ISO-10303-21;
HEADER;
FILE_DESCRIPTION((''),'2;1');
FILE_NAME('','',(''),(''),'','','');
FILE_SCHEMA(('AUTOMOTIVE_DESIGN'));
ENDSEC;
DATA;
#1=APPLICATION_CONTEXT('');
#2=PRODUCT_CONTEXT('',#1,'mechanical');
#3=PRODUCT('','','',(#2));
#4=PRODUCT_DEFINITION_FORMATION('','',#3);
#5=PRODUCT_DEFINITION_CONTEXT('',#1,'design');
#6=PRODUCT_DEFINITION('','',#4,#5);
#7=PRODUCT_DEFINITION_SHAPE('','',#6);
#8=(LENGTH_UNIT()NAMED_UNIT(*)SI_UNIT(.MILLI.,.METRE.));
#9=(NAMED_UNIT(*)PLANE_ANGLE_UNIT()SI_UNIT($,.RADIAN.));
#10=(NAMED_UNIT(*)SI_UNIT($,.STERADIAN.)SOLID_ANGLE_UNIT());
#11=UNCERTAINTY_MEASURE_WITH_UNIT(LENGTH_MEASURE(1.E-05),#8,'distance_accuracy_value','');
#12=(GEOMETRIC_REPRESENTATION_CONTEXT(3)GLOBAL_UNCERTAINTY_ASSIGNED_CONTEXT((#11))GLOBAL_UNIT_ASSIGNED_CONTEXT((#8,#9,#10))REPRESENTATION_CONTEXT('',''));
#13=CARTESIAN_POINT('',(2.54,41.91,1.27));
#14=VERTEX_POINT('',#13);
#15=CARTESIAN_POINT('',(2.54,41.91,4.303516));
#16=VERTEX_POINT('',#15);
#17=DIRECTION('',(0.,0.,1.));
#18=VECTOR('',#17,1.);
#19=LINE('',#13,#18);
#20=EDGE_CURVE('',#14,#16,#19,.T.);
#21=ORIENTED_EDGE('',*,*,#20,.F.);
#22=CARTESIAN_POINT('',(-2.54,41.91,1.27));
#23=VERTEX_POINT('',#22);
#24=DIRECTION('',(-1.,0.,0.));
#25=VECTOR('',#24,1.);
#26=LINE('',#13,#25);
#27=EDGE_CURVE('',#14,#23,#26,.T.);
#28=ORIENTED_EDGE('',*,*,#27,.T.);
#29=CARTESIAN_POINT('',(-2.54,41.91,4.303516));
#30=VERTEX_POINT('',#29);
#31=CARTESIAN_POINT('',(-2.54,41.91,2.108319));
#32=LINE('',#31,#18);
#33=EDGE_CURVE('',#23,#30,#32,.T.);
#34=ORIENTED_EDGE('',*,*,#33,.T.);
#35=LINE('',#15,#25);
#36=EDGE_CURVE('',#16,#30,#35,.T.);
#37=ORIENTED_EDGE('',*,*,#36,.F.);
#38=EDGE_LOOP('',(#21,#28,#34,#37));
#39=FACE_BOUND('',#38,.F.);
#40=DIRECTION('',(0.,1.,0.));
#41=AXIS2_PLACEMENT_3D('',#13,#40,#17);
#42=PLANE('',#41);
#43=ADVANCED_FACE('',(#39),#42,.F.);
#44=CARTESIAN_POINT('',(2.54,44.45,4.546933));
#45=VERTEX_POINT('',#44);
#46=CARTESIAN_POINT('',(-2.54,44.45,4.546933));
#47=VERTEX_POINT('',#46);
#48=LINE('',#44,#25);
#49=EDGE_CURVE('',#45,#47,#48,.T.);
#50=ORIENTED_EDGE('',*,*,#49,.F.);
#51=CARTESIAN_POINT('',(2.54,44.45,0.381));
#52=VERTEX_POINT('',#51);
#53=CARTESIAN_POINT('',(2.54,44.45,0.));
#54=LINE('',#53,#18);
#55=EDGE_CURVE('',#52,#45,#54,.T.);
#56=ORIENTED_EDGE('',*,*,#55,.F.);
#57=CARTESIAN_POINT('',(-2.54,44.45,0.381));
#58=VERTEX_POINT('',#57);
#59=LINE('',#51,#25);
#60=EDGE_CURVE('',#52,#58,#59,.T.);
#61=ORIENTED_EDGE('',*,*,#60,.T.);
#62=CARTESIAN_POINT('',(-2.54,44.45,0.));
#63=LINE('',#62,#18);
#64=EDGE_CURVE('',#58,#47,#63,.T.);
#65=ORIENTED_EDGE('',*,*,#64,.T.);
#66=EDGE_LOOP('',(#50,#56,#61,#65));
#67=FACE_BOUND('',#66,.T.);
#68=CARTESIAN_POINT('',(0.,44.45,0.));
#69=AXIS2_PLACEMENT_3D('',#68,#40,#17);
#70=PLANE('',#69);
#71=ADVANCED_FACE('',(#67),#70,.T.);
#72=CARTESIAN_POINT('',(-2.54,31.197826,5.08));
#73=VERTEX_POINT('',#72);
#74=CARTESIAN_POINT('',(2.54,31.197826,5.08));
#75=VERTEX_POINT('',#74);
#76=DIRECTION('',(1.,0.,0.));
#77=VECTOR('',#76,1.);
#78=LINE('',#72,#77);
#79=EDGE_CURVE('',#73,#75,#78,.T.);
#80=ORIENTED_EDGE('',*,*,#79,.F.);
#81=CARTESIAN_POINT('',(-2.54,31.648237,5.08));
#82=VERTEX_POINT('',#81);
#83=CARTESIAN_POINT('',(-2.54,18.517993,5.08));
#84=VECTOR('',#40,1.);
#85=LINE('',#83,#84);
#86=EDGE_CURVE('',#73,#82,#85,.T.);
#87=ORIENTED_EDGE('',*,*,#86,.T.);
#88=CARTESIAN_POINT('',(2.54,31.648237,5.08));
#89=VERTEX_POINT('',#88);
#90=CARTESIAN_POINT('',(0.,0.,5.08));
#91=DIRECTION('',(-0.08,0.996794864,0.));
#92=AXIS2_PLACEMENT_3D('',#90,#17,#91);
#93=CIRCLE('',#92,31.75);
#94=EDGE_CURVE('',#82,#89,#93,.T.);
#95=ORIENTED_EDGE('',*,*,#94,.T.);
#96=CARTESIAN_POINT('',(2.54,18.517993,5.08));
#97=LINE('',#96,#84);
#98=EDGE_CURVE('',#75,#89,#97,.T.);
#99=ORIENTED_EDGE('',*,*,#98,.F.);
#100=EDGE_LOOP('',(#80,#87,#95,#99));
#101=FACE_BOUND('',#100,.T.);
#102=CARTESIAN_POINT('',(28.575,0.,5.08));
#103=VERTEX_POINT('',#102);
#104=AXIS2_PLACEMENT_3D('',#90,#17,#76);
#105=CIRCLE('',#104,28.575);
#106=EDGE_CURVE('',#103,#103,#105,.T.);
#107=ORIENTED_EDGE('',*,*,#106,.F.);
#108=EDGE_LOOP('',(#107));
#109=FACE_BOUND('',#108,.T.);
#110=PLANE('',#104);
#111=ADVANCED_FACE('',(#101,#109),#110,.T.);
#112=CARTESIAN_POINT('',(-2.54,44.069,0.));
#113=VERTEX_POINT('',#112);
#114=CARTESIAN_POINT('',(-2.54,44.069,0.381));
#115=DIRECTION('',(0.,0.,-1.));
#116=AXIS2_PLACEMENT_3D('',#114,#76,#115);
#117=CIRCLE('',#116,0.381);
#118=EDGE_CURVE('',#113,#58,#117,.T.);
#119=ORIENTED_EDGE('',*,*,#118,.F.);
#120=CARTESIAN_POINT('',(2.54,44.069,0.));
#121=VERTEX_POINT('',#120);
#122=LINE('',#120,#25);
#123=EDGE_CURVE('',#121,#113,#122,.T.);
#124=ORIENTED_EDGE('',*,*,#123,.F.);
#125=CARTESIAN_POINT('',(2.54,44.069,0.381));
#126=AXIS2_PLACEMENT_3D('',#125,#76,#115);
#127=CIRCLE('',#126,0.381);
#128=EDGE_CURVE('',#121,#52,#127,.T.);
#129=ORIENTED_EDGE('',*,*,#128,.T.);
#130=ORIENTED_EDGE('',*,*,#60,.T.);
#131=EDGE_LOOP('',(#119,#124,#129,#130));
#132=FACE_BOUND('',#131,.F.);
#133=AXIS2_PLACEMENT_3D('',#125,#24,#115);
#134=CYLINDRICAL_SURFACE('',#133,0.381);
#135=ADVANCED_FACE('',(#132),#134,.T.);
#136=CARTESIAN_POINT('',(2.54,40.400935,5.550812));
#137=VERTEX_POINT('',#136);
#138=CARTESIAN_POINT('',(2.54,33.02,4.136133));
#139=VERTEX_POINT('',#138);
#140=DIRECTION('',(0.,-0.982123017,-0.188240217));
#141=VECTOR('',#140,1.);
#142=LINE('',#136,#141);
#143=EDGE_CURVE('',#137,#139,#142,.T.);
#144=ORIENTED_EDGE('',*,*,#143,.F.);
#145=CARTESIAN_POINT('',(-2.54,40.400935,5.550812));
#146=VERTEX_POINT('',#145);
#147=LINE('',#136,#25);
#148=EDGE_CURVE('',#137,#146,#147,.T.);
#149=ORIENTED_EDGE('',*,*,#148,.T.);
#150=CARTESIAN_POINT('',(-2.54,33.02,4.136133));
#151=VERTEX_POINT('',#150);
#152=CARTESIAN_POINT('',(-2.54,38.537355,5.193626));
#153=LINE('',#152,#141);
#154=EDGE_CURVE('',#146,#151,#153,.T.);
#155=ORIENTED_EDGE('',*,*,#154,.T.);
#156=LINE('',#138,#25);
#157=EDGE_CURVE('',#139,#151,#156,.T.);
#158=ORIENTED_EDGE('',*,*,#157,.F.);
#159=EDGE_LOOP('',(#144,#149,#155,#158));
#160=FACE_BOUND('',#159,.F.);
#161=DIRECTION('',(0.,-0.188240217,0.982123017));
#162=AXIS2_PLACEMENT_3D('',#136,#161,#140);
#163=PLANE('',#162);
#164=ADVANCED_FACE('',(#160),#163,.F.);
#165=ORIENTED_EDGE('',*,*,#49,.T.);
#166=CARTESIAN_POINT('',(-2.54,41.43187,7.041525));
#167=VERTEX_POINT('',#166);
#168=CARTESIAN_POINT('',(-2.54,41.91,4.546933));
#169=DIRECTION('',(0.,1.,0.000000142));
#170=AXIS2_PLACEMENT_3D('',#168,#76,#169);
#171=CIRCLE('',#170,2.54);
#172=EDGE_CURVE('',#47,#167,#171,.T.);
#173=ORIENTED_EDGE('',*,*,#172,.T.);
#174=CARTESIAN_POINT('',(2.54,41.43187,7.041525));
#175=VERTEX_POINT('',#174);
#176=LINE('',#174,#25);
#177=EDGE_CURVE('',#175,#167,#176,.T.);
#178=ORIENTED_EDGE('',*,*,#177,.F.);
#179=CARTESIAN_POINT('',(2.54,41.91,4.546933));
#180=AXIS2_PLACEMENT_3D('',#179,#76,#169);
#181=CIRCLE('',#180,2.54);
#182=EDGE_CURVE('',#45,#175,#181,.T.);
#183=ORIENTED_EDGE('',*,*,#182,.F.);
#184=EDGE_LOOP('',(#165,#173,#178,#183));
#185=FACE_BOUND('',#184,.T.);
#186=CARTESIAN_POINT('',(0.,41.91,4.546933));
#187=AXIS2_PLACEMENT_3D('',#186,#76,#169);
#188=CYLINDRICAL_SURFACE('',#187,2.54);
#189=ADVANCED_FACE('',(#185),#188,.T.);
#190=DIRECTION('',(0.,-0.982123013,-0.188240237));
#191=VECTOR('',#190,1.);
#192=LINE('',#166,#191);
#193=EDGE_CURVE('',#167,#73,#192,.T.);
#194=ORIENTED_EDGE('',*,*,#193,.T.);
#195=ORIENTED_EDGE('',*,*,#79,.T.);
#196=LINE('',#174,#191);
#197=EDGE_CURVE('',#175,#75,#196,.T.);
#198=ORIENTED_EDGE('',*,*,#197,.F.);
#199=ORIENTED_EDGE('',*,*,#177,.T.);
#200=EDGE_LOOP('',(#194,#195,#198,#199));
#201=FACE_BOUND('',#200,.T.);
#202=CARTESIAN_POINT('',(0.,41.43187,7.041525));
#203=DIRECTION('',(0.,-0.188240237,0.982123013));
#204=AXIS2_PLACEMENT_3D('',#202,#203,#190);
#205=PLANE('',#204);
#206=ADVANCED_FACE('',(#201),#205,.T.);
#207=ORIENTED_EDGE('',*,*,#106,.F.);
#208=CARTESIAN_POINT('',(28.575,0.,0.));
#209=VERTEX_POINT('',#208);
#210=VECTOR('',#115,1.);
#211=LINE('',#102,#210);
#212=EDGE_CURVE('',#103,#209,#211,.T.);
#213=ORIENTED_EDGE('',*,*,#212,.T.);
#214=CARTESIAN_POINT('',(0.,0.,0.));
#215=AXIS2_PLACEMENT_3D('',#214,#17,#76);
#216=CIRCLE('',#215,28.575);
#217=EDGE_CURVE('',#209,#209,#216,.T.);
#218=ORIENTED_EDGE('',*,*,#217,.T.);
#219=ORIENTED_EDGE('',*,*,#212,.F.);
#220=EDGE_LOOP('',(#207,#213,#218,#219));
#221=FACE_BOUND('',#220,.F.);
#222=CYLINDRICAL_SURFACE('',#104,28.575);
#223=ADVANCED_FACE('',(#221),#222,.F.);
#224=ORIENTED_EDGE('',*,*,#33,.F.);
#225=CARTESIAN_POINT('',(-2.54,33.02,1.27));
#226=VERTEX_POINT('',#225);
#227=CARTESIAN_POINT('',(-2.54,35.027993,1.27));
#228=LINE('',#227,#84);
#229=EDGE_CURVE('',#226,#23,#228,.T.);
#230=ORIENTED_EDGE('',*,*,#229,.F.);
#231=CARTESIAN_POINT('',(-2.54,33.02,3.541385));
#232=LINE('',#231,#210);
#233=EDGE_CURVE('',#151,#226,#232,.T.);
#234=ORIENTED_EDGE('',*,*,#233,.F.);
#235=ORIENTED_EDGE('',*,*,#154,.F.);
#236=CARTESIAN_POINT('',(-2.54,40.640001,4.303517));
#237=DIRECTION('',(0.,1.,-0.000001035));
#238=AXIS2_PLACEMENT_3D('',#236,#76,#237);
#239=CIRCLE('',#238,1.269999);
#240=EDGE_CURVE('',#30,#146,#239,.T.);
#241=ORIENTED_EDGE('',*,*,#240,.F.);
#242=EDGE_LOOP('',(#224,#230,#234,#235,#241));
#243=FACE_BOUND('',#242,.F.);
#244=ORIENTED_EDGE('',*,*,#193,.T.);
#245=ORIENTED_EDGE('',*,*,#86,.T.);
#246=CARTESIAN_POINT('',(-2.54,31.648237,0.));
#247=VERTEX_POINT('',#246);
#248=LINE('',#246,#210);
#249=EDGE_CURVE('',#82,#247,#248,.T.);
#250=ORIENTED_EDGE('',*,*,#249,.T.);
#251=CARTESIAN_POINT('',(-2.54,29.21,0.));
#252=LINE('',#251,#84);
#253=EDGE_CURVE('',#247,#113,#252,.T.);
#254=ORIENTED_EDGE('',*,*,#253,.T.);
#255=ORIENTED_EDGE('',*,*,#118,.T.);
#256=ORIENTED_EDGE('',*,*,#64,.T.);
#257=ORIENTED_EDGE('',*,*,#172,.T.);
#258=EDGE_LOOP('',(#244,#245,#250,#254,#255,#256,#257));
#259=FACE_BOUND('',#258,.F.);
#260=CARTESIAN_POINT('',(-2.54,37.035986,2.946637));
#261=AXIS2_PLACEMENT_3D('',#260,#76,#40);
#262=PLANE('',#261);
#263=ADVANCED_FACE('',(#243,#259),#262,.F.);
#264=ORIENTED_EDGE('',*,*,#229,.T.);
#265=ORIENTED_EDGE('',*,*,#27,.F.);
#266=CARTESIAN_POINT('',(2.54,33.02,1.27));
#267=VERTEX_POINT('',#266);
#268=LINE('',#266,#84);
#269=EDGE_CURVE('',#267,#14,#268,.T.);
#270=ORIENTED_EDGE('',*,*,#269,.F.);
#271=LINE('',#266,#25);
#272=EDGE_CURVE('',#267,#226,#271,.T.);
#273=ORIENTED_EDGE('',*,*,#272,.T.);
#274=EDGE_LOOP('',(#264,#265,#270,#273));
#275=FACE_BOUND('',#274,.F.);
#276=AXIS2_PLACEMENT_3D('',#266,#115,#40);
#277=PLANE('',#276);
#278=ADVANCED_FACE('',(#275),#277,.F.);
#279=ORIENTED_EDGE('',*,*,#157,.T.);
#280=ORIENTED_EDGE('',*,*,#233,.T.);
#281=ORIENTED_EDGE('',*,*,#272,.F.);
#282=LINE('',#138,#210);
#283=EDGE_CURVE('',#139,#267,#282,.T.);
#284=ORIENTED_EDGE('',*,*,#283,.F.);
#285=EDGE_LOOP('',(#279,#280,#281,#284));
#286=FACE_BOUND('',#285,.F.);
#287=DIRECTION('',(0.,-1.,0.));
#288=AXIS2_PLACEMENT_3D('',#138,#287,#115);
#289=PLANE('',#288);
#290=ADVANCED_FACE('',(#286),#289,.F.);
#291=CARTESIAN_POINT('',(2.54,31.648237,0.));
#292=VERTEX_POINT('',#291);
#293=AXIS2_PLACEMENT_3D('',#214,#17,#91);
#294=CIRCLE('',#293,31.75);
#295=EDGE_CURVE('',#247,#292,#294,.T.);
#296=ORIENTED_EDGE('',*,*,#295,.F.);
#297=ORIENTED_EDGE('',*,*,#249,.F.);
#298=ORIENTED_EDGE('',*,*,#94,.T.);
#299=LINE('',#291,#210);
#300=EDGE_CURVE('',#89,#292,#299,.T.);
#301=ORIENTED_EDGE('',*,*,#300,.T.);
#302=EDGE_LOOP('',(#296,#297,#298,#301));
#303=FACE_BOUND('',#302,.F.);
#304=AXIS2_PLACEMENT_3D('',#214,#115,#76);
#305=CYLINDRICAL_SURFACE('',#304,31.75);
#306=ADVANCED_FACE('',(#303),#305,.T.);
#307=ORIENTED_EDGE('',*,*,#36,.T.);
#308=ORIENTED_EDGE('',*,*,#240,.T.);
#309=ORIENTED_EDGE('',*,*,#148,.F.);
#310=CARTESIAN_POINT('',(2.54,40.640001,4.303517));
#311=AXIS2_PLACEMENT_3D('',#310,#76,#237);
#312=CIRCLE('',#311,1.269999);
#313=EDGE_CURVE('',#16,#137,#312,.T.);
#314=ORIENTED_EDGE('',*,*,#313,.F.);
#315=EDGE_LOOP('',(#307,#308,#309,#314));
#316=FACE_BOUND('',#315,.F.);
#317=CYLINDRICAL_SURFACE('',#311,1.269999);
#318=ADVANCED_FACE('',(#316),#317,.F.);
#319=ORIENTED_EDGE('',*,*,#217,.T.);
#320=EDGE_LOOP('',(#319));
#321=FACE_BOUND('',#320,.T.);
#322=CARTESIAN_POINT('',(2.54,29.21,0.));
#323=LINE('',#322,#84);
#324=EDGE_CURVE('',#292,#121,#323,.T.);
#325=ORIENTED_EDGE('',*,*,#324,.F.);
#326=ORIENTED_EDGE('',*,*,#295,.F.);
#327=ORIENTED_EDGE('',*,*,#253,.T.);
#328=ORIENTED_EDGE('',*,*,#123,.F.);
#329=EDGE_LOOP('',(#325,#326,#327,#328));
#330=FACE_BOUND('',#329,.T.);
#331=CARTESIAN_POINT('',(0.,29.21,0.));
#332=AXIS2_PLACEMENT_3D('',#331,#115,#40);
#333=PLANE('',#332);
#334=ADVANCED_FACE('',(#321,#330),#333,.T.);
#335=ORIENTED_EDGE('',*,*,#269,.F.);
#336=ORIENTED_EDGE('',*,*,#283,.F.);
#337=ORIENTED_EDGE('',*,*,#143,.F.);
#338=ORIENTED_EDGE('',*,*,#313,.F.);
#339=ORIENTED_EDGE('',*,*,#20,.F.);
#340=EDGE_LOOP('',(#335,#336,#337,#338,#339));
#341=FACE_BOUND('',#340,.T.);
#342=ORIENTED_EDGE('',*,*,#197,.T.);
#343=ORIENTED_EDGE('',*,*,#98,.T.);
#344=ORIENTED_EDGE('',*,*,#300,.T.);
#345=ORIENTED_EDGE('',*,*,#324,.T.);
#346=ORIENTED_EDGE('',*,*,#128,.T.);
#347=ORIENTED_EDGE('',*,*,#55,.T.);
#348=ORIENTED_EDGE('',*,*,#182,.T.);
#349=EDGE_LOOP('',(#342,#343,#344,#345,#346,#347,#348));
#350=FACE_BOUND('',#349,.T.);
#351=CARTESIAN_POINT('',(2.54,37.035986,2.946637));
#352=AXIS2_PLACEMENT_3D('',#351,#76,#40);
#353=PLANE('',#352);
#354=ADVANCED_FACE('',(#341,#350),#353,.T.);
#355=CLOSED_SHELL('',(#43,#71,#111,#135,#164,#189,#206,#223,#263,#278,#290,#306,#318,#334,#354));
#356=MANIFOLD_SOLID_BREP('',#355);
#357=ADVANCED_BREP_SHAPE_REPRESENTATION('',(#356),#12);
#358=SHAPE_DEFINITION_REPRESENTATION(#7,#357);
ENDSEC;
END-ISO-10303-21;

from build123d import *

# Parameters (mm, degrees)
F0_R          = 31.75
F1_DEPTH      = 5.08
F2_R          = 28.575
F3_DEPTH      = 5.08
F5_DEPTH      = 2.54
F5_DEPTH_BACK = 2.54
F6_R          = 0.381
F8_DEPTH      = 25.4


with BuildPart() as f1:
    # F0 (on Top) → F1 (new body)
    with BuildSketch(Plane.XY):
        Circle(F0_R)
    extrude(amount=F1_DEPTH)

    # F2 (on face) → F3 (cut, through all)
    with BuildSketch(Plane.XY.offset(5.08)):
        Circle(F2_R)
    extrude(amount=-F3_DEPTH, mode=Mode.SUBTRACT)

    # F4 (on Right) → F5 (join, two sides)
    with BuildSketch(Plane.YZ) as f5_sk:
        with BuildLine():
            Line((41.43187, 7.041525), (29.21, 4.699))
            Line((29.21, 4.699), (29.21, 0))
            Line((29.21, 0), (44.45, 0))
            Line((44.45, 0), (44.45, 4.546933))
            ThreePointArc((44.45, 4.546933), (43.528201, 6.504744), (41.43187, 7.041525))
        make_face()
    extrude(amount=F5_DEPTH)
    extrude(f5_sk.sketch, amount=-F5_DEPTH_BACK)

    # F6
    f6_edges = [f1.edges().sort_by_distance(p)[0] for p in [
        (0, 44.45, 0),
    ]]
    fillet(f6_edges, radius=F6_R)

    # F7 (on face) → F8 (cut)
    with BuildSketch(Plane.YZ.offset(2.54)):
        with BuildLine():
            Line((40.400935, 5.550812), (33.02, 4.136133))
            Line((33.02, 4.136133), (33.02, 1.27))
            Line((33.02, 1.27), (41.91, 1.27))
            Line((41.91, 1.27), (41.91, 4.303516))
            ThreePointArc((41.91, 4.303516), (41.449101, 5.282422), (40.400935, 5.550812))
        make_face()
    extrude(amount=-F8_DEPTH, mode=Mode.SUBTRACT)


solid = f1.part
